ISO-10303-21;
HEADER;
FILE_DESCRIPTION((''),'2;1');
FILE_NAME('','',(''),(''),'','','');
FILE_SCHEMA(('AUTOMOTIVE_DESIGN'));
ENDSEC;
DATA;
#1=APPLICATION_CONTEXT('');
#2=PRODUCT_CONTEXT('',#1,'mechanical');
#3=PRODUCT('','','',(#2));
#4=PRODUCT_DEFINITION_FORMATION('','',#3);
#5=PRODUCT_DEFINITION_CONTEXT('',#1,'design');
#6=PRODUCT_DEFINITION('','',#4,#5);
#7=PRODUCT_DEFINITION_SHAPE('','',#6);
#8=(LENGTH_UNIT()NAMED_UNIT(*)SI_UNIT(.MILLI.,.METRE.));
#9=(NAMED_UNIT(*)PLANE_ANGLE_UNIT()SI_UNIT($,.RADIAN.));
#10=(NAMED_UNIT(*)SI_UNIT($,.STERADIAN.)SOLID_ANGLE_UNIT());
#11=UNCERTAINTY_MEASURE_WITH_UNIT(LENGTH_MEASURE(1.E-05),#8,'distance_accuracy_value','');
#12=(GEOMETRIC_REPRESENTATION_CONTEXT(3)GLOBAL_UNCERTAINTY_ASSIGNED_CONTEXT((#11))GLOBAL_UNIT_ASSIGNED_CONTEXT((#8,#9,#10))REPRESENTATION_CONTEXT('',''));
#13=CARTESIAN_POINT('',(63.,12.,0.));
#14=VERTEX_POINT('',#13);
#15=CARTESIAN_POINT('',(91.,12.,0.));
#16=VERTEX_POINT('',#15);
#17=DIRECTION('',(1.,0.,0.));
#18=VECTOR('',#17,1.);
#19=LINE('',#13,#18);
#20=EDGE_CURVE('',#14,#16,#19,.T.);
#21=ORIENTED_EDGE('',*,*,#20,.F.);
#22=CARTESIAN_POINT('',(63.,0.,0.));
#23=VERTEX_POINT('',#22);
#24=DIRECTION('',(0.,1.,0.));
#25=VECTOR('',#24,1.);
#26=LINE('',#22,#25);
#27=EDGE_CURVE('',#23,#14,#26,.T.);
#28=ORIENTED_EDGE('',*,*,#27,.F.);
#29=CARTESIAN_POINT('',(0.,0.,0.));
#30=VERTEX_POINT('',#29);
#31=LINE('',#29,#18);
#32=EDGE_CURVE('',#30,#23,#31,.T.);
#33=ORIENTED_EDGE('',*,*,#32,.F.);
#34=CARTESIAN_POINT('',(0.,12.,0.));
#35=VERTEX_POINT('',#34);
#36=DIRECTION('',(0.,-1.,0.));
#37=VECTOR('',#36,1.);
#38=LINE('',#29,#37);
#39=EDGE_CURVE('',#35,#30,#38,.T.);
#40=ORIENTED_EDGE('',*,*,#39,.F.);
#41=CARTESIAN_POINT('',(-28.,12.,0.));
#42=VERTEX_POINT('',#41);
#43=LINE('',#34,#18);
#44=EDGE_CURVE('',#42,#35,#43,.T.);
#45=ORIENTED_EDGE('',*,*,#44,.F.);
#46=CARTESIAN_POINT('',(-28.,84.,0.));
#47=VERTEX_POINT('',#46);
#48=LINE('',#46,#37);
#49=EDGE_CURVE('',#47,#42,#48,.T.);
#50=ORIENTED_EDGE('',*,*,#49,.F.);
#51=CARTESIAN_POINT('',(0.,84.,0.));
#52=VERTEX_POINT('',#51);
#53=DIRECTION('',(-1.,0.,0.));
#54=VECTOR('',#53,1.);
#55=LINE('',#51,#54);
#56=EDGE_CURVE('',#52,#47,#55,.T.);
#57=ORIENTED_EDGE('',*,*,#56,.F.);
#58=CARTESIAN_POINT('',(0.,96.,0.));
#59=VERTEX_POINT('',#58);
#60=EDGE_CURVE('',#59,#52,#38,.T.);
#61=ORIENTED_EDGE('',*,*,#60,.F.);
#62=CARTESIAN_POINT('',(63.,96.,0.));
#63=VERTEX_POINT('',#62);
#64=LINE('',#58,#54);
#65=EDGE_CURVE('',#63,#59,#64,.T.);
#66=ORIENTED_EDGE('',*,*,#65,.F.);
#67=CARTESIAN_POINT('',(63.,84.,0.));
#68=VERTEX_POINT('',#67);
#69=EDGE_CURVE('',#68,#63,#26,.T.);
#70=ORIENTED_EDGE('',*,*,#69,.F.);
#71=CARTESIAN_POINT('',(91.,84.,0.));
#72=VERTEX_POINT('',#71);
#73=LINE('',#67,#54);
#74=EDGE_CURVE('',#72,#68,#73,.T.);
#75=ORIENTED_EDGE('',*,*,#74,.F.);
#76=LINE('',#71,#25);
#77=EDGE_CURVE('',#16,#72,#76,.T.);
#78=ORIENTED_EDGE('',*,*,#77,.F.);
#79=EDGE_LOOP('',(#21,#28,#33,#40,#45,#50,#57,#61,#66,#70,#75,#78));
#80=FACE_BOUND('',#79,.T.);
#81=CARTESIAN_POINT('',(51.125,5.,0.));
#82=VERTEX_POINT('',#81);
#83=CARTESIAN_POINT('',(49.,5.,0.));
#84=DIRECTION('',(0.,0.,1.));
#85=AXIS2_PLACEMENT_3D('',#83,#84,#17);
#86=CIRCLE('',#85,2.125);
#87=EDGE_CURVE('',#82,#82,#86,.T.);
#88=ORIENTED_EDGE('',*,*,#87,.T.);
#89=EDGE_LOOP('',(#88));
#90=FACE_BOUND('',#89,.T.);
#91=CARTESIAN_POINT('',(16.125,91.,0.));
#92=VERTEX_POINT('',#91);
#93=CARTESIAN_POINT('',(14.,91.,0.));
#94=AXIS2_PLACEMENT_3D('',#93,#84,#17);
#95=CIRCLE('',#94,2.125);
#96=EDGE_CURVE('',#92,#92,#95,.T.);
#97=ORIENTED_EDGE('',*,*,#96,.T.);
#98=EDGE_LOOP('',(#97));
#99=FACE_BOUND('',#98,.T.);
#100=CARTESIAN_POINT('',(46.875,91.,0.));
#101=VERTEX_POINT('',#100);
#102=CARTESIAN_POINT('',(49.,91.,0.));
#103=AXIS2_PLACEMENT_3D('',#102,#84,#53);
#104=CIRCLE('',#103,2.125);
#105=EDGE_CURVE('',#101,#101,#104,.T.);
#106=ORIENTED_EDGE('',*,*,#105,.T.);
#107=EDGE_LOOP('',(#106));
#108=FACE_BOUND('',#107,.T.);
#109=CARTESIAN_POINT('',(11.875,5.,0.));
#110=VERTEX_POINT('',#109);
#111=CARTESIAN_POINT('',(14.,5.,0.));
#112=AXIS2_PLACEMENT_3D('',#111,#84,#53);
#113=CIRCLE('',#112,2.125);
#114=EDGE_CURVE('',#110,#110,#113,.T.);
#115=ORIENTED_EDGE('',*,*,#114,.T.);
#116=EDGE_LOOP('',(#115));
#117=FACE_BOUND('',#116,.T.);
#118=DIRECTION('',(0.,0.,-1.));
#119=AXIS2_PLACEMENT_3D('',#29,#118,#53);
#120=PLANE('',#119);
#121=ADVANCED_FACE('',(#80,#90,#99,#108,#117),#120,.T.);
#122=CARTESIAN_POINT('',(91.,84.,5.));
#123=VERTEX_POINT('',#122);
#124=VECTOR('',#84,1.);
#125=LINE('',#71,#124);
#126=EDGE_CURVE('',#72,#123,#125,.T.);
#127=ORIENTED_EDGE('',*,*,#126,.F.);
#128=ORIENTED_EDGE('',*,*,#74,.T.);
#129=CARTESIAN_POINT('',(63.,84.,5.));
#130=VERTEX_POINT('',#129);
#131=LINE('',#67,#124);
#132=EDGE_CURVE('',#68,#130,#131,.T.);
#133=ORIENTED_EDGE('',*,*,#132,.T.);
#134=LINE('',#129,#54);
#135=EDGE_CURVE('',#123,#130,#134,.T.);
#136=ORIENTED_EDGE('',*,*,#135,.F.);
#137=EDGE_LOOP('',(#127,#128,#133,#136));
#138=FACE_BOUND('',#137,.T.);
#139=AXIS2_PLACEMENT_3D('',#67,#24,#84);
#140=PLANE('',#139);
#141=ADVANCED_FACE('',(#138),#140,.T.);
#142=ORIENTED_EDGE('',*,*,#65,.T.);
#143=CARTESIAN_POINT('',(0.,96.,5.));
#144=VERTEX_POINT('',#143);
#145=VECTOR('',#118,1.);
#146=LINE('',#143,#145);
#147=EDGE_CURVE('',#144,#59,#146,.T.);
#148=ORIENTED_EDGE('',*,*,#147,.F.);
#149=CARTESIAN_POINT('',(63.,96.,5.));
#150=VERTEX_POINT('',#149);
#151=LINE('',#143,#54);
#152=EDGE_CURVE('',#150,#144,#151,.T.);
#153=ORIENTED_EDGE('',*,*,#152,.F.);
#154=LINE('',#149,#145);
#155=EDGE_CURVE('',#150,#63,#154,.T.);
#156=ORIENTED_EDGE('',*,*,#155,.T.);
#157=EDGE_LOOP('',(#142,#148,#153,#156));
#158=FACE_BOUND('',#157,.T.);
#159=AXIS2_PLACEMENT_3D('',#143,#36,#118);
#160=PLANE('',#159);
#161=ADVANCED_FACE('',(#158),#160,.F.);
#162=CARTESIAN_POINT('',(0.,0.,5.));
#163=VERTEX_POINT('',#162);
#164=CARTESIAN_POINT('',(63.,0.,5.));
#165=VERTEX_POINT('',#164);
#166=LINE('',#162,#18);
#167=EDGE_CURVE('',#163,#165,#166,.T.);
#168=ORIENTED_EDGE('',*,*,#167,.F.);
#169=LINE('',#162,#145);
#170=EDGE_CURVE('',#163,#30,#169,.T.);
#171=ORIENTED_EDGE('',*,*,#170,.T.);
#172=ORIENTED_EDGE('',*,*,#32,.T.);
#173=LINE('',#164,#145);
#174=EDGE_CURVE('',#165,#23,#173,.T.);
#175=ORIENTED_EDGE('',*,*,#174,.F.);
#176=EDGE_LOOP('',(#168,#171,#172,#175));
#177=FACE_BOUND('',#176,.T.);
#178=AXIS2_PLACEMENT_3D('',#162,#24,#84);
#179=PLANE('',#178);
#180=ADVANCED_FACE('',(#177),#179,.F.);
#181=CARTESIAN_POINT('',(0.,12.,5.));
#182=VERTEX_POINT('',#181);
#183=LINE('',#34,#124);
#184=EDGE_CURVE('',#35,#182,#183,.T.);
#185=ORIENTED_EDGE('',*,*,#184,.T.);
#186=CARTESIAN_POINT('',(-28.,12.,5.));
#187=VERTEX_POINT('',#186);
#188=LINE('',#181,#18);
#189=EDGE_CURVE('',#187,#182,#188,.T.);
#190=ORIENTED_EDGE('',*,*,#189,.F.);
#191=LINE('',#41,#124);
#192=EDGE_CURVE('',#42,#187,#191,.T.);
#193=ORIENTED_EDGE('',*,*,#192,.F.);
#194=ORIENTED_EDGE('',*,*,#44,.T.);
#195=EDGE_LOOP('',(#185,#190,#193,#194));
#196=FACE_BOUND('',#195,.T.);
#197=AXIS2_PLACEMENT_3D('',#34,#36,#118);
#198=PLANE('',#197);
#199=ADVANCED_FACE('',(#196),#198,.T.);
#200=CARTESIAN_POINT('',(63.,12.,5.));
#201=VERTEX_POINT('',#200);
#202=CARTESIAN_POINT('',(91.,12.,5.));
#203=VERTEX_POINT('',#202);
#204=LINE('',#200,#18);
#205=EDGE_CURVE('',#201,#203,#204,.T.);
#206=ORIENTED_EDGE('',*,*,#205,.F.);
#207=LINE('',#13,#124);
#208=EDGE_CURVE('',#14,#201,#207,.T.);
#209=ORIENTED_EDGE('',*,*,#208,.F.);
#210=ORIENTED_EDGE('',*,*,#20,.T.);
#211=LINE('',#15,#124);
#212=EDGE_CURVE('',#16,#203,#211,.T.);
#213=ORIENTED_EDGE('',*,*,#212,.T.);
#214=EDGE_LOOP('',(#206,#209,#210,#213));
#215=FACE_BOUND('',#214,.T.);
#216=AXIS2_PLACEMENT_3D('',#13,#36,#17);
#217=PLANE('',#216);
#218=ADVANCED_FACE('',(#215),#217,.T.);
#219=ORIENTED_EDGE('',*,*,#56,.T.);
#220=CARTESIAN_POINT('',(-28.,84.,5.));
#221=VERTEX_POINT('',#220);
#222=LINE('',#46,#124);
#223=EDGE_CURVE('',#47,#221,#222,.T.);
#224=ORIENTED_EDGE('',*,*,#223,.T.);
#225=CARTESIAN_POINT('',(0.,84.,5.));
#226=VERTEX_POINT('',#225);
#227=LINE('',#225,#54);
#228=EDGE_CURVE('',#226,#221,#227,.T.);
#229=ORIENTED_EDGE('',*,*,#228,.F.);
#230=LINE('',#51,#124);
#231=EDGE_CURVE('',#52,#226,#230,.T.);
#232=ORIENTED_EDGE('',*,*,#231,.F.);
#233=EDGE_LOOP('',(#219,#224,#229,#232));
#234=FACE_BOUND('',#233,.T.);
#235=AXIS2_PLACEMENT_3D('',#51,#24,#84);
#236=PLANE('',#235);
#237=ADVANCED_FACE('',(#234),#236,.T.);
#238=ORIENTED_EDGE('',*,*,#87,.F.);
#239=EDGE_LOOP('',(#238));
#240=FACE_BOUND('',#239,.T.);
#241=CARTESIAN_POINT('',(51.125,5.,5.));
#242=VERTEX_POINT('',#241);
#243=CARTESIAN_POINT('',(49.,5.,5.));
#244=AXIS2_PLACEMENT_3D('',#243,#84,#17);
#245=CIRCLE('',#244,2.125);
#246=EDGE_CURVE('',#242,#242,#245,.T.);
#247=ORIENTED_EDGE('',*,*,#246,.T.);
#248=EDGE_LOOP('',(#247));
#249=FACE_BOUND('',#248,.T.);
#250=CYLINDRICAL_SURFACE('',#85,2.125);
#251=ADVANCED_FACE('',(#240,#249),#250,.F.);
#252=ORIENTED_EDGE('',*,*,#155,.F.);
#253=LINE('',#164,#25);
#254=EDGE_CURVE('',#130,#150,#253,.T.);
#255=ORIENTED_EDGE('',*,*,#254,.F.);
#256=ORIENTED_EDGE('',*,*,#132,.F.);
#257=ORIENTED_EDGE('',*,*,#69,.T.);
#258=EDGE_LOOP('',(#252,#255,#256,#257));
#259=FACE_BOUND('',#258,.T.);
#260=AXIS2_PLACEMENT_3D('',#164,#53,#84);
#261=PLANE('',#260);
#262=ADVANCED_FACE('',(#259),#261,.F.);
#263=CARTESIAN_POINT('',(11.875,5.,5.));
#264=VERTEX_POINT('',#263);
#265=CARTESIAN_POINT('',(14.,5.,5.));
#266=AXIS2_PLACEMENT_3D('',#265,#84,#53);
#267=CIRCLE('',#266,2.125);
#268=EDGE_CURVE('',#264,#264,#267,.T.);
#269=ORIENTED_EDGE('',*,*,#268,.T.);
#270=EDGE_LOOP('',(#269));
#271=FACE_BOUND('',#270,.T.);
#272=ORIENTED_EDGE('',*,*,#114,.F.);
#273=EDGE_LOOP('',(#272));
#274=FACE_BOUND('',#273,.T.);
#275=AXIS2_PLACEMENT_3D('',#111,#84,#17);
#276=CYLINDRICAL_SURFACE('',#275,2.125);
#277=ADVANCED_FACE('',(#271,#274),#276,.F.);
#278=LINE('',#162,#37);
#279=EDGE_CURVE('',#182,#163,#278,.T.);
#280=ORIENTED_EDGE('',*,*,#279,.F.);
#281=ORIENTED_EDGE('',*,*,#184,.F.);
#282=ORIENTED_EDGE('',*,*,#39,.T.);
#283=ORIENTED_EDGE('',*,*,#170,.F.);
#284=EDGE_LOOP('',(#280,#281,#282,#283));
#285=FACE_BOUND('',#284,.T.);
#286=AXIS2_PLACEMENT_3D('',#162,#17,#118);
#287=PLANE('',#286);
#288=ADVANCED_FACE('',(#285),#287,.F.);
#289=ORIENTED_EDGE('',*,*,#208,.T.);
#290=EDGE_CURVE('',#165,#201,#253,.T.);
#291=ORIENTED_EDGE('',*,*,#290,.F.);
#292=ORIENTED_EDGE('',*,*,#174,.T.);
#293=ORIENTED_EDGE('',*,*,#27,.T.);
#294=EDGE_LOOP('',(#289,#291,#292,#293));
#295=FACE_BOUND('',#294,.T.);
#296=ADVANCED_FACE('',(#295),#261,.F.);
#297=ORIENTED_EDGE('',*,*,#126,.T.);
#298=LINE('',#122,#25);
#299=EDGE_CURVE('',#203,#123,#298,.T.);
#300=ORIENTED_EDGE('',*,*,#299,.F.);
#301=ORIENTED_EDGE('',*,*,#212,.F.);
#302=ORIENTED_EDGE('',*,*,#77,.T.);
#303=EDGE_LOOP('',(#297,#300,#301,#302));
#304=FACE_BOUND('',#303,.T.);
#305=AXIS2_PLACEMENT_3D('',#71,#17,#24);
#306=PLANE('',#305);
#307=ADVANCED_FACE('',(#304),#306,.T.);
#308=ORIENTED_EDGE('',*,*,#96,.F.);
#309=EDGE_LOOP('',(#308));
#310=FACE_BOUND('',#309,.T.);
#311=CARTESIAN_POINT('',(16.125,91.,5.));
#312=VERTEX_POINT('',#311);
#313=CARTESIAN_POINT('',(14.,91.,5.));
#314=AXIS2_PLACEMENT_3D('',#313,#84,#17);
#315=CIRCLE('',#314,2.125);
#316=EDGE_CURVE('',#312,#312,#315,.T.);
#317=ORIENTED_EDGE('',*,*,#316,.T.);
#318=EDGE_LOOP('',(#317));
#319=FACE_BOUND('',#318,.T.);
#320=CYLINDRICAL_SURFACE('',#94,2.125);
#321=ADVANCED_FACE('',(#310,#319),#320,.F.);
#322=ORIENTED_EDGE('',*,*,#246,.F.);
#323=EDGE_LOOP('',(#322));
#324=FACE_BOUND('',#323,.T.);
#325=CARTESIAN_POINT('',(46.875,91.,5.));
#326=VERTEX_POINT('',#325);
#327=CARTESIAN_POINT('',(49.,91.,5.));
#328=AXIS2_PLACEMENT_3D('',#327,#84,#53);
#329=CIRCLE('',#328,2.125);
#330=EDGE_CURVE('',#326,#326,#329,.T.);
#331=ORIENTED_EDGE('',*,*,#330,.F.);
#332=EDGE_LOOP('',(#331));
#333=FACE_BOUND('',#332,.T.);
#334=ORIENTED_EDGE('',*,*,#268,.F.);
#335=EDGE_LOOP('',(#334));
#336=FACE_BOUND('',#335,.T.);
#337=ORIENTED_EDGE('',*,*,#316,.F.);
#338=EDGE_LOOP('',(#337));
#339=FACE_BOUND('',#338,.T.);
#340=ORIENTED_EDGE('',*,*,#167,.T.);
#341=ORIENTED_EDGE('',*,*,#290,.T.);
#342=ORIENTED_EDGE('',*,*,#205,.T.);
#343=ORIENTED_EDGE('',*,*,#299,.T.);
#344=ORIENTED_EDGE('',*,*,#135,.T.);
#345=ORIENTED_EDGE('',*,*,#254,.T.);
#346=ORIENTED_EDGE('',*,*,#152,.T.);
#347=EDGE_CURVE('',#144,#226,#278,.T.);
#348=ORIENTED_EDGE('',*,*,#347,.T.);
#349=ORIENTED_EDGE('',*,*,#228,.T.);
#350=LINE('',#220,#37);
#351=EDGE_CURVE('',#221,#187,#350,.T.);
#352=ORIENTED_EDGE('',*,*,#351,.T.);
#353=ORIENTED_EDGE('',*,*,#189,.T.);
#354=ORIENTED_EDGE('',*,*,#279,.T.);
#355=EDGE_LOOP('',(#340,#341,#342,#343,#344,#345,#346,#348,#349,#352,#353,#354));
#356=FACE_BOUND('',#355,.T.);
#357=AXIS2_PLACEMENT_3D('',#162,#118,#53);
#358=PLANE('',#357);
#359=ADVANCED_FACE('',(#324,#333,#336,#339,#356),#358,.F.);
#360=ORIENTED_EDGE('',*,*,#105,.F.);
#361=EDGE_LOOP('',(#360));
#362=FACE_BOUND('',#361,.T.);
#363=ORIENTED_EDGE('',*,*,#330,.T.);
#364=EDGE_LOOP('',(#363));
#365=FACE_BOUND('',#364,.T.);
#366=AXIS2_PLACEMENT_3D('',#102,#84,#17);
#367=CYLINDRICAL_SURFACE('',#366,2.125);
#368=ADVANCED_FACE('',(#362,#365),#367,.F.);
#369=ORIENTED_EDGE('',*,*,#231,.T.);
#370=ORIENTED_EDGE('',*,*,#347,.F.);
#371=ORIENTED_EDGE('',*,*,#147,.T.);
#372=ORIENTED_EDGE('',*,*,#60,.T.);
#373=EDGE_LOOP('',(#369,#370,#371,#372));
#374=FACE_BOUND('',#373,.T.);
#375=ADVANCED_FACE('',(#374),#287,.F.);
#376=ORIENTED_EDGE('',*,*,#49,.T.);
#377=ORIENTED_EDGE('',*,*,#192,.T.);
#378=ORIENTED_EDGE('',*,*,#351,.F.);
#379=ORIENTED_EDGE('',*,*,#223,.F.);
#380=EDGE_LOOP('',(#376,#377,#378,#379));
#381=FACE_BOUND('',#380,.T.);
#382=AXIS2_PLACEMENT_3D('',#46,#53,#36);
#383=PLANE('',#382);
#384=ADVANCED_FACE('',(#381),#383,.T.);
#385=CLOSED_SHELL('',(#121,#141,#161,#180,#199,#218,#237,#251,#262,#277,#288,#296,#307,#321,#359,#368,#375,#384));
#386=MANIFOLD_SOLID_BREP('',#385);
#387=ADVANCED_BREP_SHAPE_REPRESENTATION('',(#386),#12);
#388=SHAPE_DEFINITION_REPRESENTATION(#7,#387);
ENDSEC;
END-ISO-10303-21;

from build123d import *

# Parameters (mm, degrees)
SKETCH2_W           = 63
SKETCH2_H           = 96
BOSS_EXTRUDE1_DEPTH = 5
SKETCH3_R           = 2.125
CUT_EXTRUDE1_DEPTH  = 5
SKETCH4_W           = 28
SKETCH4_H           = 72
BOSS_EXTRUDE2_DEPTH = 5


with BuildPart() as part:
    # Sketch2 → Boss-Extrude1 (new body)
    with BuildSketch(Plane.XY):
        with Locations((31.5, 48)):
            Rectangle(SKETCH2_W, SKETCH2_H)
    extrude(amount=BOSS_EXTRUDE1_DEPTH)

    # Sketch3 → Cut-Extrude1 (cut)
    with BuildSketch(Plane.XY.offset(5)):
        with Locations((14, 91)):
            Circle(SKETCH3_R)
        with Locations(Location((49, 91, 0), (0, 0, 180))):
            Circle(SKETCH3_R)
        with Locations((49, 5)):
            Circle(SKETCH3_R)
        with Locations(Location((14, 5, 0), (0, 0, 180))):
            Circle(SKETCH3_R)
    extrude(amount=-CUT_EXTRUDE1_DEPTH, mode=Mode.SUBTRACT)

    # Sketch4 → Boss-Extrude2 (add)
    with BuildSketch(Plane.XY.offset(5)):
        with Locations((77, 48)):
            Rectangle(SKETCH4_W, SKETCH4_H)
        with Locations((-14, 48)):
            Rectangle(SKETCH4_W, SKETCH4_H)
    extrude(amount=-BOSS_EXTRUDE2_DEPTH)


solid = part.part
